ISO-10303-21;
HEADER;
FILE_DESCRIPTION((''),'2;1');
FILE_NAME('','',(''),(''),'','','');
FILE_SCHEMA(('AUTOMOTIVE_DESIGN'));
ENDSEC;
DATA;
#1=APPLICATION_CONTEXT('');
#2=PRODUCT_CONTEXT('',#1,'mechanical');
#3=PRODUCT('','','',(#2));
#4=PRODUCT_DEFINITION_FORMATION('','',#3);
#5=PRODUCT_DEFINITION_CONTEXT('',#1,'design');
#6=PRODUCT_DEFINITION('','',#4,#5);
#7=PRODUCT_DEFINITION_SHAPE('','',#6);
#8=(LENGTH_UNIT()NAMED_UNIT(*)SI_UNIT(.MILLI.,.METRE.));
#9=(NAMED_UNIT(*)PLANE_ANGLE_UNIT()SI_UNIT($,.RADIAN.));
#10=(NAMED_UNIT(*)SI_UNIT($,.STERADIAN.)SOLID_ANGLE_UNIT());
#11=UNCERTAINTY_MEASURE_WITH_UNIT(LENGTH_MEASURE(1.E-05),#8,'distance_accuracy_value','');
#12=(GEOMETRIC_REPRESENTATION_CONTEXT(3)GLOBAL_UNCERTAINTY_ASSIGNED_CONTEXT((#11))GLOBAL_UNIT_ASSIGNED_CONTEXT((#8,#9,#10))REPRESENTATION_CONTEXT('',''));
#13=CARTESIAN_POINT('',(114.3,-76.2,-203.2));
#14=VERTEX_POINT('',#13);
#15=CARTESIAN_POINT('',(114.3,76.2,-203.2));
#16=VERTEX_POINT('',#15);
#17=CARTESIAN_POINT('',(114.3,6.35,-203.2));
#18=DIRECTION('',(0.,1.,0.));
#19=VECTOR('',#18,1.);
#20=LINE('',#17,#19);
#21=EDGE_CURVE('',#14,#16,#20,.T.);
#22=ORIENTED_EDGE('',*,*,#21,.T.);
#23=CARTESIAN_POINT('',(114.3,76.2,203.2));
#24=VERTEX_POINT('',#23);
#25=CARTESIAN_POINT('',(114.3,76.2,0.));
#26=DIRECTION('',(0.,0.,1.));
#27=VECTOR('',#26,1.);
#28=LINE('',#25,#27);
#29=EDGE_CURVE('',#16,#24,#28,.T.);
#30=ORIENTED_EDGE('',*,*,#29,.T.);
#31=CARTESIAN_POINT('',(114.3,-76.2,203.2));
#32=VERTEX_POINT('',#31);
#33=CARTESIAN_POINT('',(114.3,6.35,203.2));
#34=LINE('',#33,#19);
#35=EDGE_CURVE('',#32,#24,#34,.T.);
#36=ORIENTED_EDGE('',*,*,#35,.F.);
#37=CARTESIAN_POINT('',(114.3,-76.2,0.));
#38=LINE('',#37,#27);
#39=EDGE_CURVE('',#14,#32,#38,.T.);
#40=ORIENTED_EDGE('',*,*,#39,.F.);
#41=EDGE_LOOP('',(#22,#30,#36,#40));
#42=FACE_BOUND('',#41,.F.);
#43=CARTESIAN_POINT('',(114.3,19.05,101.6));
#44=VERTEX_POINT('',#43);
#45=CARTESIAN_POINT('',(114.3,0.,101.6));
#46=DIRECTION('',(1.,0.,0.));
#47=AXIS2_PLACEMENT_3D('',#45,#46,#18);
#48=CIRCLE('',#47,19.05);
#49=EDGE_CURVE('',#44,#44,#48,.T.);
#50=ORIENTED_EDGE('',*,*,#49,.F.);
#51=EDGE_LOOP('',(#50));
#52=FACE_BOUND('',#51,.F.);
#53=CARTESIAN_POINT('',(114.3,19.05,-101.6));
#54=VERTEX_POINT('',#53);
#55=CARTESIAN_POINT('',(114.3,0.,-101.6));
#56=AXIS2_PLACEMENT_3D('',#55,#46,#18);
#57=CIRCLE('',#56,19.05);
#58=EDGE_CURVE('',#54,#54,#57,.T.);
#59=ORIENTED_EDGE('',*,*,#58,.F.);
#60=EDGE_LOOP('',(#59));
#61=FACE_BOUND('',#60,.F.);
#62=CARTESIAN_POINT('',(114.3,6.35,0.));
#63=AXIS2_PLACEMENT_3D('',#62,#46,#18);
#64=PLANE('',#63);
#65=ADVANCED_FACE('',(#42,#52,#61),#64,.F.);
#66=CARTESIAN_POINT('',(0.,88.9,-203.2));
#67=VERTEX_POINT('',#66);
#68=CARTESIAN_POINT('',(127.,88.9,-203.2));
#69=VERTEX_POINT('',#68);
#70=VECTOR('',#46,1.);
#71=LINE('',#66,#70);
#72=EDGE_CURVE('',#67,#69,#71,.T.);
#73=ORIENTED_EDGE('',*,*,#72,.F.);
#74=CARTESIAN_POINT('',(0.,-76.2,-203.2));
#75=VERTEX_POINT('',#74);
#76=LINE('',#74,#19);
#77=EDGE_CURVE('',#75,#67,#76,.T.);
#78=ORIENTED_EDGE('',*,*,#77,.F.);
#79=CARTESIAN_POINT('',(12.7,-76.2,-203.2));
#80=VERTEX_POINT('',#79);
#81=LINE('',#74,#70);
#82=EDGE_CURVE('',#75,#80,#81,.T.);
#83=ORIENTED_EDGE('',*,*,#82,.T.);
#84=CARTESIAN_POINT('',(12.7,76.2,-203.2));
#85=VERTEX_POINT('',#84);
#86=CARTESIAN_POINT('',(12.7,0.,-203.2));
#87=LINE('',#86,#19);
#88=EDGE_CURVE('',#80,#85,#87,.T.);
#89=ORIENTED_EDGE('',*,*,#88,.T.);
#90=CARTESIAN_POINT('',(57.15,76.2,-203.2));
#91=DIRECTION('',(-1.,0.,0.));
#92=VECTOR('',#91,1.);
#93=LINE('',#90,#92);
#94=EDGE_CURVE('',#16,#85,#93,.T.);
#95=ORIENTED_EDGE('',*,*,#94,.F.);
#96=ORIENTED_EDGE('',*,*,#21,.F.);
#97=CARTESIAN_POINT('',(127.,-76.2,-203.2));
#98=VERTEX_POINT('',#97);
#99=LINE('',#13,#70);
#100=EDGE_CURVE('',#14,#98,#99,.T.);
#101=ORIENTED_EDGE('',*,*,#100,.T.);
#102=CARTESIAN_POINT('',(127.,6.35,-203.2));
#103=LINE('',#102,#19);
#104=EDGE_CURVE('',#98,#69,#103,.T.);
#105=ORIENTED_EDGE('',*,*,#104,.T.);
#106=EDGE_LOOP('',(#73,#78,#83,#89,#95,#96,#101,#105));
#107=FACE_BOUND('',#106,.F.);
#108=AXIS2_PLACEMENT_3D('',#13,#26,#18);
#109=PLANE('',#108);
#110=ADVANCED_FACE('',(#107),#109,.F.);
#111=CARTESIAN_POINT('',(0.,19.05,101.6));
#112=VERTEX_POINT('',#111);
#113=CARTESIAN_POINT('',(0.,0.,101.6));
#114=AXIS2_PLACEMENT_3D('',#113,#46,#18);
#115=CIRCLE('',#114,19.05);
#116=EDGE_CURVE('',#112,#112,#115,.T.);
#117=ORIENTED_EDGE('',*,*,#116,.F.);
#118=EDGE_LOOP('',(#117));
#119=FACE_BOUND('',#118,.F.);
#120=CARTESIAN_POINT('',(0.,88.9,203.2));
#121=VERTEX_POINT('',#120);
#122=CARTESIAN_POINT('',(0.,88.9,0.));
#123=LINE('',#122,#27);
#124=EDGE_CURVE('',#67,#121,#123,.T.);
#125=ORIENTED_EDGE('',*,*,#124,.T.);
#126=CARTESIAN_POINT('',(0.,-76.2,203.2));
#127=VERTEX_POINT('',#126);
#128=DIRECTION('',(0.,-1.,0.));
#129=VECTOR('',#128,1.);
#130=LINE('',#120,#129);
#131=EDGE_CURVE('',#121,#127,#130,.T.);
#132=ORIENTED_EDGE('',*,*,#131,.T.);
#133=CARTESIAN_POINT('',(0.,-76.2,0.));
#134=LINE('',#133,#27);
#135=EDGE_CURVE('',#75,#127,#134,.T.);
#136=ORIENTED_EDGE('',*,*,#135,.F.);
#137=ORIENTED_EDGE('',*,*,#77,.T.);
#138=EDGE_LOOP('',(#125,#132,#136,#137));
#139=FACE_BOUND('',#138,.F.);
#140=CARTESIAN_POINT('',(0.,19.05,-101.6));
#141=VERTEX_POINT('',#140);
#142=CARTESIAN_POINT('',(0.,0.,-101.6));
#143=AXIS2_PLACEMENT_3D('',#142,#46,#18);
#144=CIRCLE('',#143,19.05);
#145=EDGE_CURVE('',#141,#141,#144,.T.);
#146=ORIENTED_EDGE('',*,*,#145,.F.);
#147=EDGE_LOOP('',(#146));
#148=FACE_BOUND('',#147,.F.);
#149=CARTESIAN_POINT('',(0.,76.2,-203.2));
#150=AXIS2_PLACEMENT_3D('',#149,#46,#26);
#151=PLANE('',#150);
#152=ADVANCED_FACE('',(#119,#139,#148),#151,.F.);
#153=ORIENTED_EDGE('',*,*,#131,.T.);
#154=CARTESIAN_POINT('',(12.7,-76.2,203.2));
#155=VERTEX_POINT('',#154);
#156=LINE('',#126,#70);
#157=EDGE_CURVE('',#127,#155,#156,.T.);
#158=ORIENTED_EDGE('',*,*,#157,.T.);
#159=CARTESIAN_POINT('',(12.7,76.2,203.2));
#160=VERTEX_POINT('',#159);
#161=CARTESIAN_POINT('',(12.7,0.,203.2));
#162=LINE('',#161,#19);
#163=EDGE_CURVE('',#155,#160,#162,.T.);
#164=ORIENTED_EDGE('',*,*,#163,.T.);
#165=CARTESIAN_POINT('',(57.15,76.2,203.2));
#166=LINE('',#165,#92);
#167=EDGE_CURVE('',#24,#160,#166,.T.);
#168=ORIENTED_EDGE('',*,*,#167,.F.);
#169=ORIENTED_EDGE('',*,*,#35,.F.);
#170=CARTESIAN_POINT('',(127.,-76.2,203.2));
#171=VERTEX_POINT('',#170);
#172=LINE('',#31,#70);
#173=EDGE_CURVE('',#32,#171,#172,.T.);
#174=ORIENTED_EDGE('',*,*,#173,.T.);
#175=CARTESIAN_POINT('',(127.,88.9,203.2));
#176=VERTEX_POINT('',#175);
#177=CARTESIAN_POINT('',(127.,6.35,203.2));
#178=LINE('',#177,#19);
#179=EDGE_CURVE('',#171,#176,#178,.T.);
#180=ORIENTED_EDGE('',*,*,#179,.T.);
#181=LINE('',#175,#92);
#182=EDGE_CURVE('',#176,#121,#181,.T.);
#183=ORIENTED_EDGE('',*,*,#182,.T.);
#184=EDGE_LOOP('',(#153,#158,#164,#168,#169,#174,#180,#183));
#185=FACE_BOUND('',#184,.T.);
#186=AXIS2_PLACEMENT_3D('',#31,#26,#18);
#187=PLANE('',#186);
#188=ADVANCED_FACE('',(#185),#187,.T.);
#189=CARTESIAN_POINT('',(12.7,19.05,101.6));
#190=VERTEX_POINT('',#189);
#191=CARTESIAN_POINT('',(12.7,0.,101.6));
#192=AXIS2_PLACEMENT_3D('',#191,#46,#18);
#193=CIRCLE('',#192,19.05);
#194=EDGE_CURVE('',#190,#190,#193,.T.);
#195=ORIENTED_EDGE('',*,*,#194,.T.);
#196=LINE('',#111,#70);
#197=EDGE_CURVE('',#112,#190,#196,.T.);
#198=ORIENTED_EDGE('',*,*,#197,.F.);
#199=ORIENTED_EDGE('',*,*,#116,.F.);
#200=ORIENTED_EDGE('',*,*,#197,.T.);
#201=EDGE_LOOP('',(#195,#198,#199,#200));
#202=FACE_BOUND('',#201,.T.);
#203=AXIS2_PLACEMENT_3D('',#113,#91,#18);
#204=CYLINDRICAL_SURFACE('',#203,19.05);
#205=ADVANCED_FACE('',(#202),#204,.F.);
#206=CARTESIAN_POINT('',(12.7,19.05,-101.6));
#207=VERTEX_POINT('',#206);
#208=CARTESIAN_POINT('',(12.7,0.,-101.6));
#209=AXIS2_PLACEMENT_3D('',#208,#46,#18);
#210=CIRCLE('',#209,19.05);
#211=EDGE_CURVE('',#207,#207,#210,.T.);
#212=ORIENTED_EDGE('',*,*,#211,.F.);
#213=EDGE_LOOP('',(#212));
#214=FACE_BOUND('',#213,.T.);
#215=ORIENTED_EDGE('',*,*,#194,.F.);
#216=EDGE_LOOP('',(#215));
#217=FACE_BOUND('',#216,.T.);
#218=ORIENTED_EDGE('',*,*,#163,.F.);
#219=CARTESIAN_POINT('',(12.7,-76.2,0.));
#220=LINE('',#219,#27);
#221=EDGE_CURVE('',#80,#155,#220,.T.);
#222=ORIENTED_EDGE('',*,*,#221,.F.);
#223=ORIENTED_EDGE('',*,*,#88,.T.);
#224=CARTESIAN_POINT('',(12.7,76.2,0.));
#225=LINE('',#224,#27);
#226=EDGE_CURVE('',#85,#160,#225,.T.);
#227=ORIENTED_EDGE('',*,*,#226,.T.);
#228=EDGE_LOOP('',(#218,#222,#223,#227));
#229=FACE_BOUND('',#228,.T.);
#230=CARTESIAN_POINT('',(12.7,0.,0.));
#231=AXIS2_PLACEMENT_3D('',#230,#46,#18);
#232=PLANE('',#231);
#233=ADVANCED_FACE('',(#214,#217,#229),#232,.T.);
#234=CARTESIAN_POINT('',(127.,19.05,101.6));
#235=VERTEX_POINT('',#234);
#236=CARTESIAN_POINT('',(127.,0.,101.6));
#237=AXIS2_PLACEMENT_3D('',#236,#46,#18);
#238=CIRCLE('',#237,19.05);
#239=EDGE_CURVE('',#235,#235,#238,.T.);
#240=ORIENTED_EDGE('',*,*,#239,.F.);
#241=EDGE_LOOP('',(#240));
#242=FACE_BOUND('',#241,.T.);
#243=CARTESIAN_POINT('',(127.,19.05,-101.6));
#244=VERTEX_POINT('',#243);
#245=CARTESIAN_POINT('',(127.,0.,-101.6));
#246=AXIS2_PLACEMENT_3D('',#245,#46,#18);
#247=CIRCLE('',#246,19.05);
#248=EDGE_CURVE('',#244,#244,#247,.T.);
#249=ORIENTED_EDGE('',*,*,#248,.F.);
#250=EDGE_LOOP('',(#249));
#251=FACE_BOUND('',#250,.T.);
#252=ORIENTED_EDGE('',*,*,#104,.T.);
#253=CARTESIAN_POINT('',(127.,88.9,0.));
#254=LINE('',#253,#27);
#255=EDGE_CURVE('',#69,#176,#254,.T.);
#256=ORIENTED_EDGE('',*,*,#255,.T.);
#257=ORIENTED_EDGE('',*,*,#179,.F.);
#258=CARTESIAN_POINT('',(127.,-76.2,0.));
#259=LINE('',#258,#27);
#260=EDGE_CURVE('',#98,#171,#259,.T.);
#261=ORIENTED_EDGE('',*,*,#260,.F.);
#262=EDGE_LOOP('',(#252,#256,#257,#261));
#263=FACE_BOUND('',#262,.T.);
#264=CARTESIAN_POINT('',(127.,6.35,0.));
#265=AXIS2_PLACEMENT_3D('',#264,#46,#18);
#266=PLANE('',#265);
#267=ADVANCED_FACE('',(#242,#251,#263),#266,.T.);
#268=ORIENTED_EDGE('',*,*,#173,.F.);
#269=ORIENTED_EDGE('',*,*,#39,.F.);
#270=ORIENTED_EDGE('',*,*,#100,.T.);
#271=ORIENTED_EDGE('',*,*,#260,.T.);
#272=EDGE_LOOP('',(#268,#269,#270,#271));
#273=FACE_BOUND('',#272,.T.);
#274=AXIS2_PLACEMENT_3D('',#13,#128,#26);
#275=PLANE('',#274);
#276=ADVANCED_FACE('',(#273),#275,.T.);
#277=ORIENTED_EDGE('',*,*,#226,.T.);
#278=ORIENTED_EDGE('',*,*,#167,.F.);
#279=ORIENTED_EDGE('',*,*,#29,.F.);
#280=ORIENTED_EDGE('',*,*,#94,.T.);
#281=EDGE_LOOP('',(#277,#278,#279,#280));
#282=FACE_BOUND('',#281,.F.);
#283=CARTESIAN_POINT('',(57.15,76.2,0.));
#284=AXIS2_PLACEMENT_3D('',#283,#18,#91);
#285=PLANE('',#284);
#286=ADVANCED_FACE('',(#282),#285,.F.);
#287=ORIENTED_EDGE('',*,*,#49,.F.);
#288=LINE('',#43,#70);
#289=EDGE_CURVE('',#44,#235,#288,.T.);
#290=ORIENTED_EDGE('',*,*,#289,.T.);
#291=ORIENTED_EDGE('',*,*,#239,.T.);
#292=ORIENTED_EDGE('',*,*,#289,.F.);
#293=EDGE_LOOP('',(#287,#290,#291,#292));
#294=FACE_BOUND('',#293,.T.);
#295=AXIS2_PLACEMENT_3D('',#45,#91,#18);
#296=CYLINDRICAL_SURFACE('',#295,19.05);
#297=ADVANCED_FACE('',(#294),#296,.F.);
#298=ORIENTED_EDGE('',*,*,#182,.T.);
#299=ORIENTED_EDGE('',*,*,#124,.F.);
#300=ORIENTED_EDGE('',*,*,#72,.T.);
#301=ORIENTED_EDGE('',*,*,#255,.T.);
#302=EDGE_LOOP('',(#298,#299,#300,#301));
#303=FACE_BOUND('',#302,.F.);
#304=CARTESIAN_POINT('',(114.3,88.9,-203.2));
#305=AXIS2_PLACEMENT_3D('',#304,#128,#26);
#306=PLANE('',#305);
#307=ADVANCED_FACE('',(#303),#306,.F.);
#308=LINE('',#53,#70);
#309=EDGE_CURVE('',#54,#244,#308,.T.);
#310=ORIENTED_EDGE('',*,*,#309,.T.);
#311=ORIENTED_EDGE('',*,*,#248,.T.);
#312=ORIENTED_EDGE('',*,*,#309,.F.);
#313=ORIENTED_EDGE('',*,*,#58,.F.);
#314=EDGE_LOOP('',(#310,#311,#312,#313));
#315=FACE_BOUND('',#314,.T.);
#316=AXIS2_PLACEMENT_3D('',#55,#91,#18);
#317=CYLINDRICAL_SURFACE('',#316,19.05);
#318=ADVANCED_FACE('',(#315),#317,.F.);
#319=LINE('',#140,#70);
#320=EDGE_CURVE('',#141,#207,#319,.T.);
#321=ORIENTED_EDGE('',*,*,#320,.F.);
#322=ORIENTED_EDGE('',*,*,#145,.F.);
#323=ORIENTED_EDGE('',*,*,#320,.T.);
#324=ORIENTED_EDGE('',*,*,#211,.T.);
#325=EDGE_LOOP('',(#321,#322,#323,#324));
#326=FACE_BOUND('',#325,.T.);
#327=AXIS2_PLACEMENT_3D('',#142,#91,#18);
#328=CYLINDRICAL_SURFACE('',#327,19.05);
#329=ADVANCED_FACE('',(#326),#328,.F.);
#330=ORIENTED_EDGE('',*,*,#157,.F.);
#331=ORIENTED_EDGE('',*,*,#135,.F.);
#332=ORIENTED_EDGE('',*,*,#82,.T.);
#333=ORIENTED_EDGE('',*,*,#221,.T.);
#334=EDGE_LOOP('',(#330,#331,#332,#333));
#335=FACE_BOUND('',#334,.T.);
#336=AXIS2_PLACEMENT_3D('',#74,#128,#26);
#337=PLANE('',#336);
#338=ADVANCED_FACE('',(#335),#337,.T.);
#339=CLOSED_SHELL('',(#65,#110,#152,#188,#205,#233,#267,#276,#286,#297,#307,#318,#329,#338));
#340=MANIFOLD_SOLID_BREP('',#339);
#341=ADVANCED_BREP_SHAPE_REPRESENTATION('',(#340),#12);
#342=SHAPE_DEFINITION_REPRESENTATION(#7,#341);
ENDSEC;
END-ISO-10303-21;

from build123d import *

# Parameters (mm, degrees)
F0_W     = 152.4
F0_H     = 406.4
F0_R     = 19.05
F1_DEPTH = 12.7
F2_W     = 114.3
F2_H     = 406.4
F3_DEPTH = 12.7
F5_W     = 165.1
F5_H     = 406.4
F5_R     = 19.05
F6_DEPTH = 12.7


with BuildPart() as f1:
    # F0 (on Right) → F1 (new body)
    with BuildSketch(Plane.YZ):
        Rectangle(F0_W, F0_H)
        with Locations((0, -101.6)):
            Circle(F0_R, mode=Mode.SUBTRACT)
        with Locations((0, 101.6)):
            Circle(F0_R, mode=Mode.SUBTRACT)
    extrude(amount=F1_DEPTH)

    # F2 (on face) → F3 (join)
    with BuildSketch(Plane(origin=(0, 76.2, 0), x_dir=(-1, 0, 0), z_dir=(0, 1, 0))):
        with Locations((-57.15, 0)):
            Rectangle(F2_W, F2_H)
    extrude(amount=F3_DEPTH)

    # F5 (on face) → F6 (join)
    with BuildSketch(Plane.YZ.offset(114.3)):
        with Locations((6.35, 0)):
            Rectangle(F5_W, F5_H)
        with Locations((0, -101.6)):
            Circle(F5_R, mode=Mode.SUBTRACT)
        with Locations((0, 101.6)):
            Circle(F5_R, mode=Mode.SUBTRACT)
    extrude(amount=F6_DEPTH)


solid = f1.part
